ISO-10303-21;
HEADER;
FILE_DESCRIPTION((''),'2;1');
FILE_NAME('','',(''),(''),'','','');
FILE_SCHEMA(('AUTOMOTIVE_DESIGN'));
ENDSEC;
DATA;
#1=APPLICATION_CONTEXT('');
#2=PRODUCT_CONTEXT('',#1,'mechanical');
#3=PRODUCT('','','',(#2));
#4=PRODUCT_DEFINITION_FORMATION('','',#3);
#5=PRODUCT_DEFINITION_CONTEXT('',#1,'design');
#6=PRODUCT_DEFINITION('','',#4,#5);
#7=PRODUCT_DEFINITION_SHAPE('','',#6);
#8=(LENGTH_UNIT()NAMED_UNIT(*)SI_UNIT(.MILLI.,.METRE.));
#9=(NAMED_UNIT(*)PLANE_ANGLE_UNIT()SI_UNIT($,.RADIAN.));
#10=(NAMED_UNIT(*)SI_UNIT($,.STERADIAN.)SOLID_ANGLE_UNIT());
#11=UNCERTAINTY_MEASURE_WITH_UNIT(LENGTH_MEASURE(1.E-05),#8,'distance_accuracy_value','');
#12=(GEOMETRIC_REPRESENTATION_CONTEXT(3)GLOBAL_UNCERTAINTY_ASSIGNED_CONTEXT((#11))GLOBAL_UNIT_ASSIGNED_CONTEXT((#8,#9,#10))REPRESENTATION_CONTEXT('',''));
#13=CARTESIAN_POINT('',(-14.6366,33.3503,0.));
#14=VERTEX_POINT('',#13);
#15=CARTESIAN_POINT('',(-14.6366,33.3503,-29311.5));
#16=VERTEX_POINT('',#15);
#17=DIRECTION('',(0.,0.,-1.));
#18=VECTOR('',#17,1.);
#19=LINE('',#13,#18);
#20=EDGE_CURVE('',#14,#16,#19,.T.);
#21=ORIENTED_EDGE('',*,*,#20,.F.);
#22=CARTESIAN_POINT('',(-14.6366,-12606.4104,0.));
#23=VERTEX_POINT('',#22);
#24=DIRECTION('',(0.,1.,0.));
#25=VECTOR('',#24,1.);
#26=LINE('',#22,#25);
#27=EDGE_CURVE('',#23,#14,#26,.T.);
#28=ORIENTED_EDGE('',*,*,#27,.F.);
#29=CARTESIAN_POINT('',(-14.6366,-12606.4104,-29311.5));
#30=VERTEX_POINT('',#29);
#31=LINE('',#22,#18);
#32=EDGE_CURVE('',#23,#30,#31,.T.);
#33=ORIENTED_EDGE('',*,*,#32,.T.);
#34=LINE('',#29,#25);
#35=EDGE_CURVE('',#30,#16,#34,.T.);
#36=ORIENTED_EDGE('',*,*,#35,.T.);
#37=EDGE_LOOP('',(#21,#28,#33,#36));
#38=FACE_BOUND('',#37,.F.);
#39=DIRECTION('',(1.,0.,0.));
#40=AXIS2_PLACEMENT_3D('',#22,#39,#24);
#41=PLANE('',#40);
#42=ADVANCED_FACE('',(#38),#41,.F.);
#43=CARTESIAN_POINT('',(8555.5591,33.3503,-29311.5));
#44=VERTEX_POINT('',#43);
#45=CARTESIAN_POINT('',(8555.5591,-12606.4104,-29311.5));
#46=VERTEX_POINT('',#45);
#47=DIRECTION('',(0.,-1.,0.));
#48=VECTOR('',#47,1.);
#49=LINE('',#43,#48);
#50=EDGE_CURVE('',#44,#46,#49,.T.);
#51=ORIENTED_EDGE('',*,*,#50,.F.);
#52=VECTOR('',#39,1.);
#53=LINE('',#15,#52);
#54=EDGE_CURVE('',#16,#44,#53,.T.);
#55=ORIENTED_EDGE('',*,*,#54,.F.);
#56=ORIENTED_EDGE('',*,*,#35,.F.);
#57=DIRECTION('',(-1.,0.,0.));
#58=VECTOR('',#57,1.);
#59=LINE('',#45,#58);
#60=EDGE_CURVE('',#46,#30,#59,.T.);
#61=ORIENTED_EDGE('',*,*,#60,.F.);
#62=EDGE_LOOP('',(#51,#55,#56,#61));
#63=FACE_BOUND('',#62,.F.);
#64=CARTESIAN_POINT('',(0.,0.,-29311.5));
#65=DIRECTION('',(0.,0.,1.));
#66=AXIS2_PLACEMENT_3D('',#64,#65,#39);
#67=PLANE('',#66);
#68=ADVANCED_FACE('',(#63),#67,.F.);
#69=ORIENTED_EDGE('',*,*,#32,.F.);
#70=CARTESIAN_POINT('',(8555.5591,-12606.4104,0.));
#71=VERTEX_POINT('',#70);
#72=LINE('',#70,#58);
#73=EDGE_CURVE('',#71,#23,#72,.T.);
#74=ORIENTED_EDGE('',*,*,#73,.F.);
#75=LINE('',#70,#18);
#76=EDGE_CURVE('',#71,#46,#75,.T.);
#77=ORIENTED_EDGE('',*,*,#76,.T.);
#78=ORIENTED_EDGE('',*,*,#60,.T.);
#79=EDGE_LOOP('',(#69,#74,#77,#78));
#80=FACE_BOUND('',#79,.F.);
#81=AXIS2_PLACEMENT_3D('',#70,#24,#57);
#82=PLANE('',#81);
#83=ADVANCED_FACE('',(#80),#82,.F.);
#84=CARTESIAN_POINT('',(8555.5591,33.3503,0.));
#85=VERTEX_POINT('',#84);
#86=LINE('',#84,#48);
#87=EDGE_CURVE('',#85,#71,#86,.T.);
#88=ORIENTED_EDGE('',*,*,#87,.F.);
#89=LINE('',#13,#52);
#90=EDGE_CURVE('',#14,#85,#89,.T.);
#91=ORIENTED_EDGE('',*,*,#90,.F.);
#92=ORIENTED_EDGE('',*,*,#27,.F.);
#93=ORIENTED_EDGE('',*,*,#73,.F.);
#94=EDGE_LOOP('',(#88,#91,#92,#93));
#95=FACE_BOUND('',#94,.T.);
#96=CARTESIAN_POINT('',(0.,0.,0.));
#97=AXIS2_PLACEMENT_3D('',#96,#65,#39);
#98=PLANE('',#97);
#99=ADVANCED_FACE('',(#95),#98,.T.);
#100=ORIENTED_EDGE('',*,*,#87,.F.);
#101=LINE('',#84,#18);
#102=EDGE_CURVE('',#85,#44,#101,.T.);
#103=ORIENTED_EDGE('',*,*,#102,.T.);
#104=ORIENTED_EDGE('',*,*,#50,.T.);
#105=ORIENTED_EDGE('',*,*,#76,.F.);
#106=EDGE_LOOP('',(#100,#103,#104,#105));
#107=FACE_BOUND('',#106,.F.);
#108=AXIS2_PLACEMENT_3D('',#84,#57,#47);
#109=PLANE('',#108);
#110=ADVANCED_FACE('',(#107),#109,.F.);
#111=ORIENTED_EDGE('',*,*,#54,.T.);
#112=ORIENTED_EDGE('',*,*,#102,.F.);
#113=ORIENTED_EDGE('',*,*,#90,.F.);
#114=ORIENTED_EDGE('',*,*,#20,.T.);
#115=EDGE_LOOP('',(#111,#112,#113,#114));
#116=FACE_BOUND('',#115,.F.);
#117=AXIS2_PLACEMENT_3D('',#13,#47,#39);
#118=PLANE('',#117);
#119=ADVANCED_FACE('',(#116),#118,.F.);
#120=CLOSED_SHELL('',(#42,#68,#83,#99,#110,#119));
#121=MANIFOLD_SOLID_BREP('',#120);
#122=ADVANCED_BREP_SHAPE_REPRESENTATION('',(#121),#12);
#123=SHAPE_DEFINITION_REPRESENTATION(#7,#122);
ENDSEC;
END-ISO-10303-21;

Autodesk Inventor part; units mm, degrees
ref_plane "YZ Plane" through (0, 0, 0) normal (1, 0, 0) x (0, 1, 0)
ref_plane "XZ Plane" through (0, 0, 0) normal (0, 1, 0) x (-1, 0, 0)
ref_plane "XY Plane" through (0, 0, 0) normal (0, 0, 1) x (1, 0, 0)
sketch "Эскиз1" plane through (0, 0, 0) normal (0, 0, 1) x (1, 0, 0)
  line L0 (-14.6366, 33.3503) -> (8555.5591, 33.3503)
  line L1 (8555.5591, 33.3503) -> (8555.5591, -12606.4104)
  line L2 (8555.5591, -12606.4104) -> (-14.6366, -12606.4104)
  line L3 (-14.6366, -12606.4104) -> (-14.6366, 33.3503)
  point P0 (0, 0)
extrude "Выдавливание1" add sketch "Эскиз1" against normal blind 29311.5
properties material "Дерево (дуб)"
